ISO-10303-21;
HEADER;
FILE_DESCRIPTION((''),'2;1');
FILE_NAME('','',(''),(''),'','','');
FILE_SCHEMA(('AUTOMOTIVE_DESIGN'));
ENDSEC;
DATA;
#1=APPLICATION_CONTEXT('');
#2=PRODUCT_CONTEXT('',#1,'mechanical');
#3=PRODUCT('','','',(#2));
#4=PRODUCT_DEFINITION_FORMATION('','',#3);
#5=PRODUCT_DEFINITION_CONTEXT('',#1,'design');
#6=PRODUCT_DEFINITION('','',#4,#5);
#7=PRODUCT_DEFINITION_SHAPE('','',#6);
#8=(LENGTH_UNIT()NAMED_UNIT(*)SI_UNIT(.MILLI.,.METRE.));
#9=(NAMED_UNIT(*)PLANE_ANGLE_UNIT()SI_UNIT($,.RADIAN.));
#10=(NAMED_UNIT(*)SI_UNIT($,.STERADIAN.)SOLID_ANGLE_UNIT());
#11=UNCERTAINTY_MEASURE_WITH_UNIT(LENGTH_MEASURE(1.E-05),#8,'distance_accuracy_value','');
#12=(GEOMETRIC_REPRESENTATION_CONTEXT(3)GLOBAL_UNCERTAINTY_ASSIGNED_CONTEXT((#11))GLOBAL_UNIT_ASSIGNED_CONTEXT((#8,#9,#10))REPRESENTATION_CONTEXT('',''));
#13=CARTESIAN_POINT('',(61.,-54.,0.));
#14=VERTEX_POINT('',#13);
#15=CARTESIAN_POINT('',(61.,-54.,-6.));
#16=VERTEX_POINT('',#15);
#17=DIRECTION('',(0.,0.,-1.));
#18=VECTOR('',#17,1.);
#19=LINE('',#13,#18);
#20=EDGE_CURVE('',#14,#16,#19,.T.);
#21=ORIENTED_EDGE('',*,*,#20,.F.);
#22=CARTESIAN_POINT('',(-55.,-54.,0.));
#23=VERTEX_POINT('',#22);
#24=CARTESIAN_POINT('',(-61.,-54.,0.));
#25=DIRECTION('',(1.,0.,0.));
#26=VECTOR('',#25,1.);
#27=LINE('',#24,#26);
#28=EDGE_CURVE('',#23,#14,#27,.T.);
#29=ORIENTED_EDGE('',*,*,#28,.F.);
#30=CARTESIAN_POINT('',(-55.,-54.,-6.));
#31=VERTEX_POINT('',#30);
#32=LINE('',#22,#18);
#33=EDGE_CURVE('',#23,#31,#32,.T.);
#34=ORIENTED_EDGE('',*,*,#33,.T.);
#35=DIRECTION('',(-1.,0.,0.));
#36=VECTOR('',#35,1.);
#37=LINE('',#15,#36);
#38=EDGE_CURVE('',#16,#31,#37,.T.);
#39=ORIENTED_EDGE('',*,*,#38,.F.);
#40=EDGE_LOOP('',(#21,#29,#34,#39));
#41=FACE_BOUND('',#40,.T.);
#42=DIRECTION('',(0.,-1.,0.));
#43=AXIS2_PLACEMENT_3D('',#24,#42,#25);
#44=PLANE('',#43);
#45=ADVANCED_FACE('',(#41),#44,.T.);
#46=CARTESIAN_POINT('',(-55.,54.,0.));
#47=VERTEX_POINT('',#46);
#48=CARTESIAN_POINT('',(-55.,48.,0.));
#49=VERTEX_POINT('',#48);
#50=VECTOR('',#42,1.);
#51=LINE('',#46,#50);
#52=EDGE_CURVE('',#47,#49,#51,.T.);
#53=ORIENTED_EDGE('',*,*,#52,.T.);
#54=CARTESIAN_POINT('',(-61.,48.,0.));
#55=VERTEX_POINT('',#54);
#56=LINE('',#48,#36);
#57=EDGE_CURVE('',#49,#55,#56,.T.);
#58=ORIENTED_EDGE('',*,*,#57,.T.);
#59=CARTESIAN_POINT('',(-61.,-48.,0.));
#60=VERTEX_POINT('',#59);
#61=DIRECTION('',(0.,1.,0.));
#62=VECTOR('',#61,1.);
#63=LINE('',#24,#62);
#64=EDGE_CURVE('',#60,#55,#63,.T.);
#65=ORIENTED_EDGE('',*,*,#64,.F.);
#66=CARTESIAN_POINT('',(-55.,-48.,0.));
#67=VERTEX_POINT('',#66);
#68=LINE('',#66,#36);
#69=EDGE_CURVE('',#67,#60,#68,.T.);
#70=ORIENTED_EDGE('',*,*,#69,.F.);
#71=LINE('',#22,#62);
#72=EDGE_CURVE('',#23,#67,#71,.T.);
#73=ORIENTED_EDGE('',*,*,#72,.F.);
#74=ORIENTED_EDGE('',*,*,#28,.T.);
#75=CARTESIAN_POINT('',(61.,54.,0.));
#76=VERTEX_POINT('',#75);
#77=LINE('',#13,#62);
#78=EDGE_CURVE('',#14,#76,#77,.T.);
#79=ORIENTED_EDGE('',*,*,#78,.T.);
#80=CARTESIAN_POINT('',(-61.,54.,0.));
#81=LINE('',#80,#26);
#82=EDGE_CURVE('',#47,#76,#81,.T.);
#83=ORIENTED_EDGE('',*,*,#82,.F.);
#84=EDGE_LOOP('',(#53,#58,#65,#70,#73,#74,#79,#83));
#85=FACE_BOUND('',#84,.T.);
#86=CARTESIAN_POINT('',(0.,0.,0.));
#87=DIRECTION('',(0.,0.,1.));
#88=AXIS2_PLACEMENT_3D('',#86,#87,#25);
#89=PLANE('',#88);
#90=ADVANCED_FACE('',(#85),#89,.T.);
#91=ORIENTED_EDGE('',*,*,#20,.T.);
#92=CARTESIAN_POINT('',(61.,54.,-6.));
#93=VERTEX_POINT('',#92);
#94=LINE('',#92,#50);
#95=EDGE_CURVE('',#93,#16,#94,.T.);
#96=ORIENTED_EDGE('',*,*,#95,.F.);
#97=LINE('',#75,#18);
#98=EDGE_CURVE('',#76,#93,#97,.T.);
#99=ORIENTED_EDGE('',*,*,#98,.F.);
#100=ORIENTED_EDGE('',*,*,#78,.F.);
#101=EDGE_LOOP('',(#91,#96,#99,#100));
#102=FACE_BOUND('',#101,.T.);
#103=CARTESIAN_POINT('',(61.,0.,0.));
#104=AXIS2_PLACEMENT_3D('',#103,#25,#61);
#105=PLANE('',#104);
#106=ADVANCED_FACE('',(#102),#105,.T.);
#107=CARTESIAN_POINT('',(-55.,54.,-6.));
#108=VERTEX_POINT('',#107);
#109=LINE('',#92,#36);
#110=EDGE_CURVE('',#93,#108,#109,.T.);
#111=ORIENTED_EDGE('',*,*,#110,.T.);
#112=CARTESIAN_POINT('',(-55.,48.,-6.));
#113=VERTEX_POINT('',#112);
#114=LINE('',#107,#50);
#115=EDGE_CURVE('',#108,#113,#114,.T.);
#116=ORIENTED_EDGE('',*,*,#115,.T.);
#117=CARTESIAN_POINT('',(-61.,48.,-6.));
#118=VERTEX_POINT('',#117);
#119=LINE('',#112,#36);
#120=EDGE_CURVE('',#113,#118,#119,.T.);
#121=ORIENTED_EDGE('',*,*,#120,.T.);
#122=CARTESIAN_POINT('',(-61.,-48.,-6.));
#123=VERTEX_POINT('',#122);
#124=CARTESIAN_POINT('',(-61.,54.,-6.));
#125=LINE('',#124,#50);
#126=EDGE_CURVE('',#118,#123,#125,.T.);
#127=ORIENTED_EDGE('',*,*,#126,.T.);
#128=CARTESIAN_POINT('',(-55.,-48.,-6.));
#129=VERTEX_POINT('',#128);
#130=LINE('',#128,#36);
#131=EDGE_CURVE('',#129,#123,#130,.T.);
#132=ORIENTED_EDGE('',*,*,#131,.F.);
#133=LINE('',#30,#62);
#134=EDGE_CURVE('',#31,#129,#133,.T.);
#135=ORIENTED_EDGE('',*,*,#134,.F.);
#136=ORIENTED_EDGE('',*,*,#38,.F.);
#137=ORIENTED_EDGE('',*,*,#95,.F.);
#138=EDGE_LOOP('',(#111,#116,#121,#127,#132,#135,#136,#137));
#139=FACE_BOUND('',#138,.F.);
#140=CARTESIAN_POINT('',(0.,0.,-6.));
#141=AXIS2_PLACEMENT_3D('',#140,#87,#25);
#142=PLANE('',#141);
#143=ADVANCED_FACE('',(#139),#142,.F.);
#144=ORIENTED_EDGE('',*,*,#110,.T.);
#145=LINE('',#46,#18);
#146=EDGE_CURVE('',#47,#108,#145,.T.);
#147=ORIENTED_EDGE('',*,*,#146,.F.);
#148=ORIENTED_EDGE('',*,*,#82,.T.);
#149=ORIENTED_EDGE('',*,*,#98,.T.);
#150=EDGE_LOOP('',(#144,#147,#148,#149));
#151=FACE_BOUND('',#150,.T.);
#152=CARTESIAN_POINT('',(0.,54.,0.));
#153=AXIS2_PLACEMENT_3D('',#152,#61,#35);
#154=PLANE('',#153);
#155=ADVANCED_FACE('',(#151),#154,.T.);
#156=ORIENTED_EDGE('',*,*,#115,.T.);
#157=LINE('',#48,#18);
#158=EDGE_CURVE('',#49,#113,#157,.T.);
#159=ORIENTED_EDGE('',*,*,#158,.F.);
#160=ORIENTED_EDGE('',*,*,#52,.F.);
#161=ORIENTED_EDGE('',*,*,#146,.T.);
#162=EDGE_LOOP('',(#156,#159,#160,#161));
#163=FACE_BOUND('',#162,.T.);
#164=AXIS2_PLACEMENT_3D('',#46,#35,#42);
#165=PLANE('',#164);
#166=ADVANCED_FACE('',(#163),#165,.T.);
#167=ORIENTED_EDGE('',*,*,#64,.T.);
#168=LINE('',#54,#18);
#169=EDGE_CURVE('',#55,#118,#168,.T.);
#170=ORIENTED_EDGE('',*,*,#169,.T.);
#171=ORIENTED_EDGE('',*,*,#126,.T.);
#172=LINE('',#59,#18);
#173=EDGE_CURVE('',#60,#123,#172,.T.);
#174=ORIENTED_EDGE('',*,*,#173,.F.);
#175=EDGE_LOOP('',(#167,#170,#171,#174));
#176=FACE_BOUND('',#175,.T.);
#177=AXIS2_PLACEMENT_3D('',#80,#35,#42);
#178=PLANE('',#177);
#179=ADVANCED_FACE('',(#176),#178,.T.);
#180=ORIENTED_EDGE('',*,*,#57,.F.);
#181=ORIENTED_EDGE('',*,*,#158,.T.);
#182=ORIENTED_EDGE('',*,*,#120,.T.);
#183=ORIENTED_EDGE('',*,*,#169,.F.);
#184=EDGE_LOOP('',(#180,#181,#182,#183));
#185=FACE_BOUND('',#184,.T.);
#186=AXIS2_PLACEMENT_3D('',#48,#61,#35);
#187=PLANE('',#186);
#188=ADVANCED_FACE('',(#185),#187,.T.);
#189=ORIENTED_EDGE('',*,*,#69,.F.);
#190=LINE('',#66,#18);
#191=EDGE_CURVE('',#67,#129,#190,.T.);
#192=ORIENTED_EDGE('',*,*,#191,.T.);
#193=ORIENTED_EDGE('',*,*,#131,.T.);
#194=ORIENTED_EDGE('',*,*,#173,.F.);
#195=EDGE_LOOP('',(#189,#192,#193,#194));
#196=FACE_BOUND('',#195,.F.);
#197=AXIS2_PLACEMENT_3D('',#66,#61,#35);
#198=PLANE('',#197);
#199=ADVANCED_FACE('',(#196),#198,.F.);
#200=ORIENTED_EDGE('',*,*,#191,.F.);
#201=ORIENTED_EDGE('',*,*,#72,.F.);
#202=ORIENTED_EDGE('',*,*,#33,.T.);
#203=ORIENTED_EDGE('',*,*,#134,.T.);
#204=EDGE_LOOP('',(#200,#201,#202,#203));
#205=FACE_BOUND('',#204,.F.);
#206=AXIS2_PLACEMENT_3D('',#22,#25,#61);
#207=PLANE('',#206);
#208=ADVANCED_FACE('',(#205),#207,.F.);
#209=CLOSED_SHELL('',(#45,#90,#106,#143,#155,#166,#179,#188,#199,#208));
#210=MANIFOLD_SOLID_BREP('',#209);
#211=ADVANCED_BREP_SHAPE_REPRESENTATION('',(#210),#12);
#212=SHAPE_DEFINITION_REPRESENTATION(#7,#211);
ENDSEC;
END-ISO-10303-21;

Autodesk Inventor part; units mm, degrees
ref_plane "YZ Plane" through (0, 0, 0) normal (1, 0, 0) x (0, 1, 0)
ref_plane "XZ Plane" through (0, 0, 0) normal (0, 1, 0) x (-1, 0, 0)
ref_plane "XY Plane" through (0, 0, 0) normal (0, 0, 1) x (1, 0, 0)
sketch "Skizze1" plane through (0, 0, 0) normal (0, 0, 1) x (1, 0, 0)
  line L0 (-85.4, 0) -> (85.4, 0) projected
  line L1 (0, -75.6) -> (0, 75.6) projected
  line L2 (-61, -54) -> (61, -54)
  line L3 (61, -54) -> (61, 54)
  line L4 (61, 54) -> (-61, 54)
  line L5 (-61, 54) -> (-61, -54)
  line L6 (-61, -54) -> (61, 54) construction
  line L7 (61, -54) -> (-61, 54) construction
  point P0 (0, 0)
  dimension "d0" = 122
  dimension "d1" = 108
extrude "Extrusion1" add sketch "Skizze1" against normal blind 6
sketch "Skizze2" plane through (0, 0, 0) normal (0, 0, 1) x (1, 0, 0)
  line L0 (-61, -54) -> (61, -54) projected
  line L1 (61, -54) -> (61, 54) projected
  line L2 (61, 54) -> (-61, 54) projected
  line L3 (-61, 54) -> (-61, -54) projected
  line L4 (-85.4, 0) -> (85.4, 0) projected
  line L5 (0, -75.6) -> (0, 75.6) projected
  line L6 (-61, 54) -> (-55, 54)
  line L7 (-55, 54) -> (-55, 48)
  line L8 (-55, 48) -> (-61, 48)
  line L9 (-61, 48) -> (-61, 54)
  line L10 (61, -54) -> (-61, -54) projected
  line L11 (-61, -54) -> (-55, -54)
  line L12 (-55, -54) -> (-55, -48)
  line L13 (-55, -48) -> (-61, -48)
  line L14 (-61, -48) -> (-61, -54)
  point P0 (0, 0)
  dimension "d4" = 6
  dimension "d5" = 6
  dimension "d6" = 6
  dimension "d7" = 6
extrude "Extrusion2" cut sketch "Skizze2" against normal blind 6 contours L3 L13 L12 L0 | L3 L2 L7 L8
properties part number "II Bodenplatte kurz" material "PVC, hart"
